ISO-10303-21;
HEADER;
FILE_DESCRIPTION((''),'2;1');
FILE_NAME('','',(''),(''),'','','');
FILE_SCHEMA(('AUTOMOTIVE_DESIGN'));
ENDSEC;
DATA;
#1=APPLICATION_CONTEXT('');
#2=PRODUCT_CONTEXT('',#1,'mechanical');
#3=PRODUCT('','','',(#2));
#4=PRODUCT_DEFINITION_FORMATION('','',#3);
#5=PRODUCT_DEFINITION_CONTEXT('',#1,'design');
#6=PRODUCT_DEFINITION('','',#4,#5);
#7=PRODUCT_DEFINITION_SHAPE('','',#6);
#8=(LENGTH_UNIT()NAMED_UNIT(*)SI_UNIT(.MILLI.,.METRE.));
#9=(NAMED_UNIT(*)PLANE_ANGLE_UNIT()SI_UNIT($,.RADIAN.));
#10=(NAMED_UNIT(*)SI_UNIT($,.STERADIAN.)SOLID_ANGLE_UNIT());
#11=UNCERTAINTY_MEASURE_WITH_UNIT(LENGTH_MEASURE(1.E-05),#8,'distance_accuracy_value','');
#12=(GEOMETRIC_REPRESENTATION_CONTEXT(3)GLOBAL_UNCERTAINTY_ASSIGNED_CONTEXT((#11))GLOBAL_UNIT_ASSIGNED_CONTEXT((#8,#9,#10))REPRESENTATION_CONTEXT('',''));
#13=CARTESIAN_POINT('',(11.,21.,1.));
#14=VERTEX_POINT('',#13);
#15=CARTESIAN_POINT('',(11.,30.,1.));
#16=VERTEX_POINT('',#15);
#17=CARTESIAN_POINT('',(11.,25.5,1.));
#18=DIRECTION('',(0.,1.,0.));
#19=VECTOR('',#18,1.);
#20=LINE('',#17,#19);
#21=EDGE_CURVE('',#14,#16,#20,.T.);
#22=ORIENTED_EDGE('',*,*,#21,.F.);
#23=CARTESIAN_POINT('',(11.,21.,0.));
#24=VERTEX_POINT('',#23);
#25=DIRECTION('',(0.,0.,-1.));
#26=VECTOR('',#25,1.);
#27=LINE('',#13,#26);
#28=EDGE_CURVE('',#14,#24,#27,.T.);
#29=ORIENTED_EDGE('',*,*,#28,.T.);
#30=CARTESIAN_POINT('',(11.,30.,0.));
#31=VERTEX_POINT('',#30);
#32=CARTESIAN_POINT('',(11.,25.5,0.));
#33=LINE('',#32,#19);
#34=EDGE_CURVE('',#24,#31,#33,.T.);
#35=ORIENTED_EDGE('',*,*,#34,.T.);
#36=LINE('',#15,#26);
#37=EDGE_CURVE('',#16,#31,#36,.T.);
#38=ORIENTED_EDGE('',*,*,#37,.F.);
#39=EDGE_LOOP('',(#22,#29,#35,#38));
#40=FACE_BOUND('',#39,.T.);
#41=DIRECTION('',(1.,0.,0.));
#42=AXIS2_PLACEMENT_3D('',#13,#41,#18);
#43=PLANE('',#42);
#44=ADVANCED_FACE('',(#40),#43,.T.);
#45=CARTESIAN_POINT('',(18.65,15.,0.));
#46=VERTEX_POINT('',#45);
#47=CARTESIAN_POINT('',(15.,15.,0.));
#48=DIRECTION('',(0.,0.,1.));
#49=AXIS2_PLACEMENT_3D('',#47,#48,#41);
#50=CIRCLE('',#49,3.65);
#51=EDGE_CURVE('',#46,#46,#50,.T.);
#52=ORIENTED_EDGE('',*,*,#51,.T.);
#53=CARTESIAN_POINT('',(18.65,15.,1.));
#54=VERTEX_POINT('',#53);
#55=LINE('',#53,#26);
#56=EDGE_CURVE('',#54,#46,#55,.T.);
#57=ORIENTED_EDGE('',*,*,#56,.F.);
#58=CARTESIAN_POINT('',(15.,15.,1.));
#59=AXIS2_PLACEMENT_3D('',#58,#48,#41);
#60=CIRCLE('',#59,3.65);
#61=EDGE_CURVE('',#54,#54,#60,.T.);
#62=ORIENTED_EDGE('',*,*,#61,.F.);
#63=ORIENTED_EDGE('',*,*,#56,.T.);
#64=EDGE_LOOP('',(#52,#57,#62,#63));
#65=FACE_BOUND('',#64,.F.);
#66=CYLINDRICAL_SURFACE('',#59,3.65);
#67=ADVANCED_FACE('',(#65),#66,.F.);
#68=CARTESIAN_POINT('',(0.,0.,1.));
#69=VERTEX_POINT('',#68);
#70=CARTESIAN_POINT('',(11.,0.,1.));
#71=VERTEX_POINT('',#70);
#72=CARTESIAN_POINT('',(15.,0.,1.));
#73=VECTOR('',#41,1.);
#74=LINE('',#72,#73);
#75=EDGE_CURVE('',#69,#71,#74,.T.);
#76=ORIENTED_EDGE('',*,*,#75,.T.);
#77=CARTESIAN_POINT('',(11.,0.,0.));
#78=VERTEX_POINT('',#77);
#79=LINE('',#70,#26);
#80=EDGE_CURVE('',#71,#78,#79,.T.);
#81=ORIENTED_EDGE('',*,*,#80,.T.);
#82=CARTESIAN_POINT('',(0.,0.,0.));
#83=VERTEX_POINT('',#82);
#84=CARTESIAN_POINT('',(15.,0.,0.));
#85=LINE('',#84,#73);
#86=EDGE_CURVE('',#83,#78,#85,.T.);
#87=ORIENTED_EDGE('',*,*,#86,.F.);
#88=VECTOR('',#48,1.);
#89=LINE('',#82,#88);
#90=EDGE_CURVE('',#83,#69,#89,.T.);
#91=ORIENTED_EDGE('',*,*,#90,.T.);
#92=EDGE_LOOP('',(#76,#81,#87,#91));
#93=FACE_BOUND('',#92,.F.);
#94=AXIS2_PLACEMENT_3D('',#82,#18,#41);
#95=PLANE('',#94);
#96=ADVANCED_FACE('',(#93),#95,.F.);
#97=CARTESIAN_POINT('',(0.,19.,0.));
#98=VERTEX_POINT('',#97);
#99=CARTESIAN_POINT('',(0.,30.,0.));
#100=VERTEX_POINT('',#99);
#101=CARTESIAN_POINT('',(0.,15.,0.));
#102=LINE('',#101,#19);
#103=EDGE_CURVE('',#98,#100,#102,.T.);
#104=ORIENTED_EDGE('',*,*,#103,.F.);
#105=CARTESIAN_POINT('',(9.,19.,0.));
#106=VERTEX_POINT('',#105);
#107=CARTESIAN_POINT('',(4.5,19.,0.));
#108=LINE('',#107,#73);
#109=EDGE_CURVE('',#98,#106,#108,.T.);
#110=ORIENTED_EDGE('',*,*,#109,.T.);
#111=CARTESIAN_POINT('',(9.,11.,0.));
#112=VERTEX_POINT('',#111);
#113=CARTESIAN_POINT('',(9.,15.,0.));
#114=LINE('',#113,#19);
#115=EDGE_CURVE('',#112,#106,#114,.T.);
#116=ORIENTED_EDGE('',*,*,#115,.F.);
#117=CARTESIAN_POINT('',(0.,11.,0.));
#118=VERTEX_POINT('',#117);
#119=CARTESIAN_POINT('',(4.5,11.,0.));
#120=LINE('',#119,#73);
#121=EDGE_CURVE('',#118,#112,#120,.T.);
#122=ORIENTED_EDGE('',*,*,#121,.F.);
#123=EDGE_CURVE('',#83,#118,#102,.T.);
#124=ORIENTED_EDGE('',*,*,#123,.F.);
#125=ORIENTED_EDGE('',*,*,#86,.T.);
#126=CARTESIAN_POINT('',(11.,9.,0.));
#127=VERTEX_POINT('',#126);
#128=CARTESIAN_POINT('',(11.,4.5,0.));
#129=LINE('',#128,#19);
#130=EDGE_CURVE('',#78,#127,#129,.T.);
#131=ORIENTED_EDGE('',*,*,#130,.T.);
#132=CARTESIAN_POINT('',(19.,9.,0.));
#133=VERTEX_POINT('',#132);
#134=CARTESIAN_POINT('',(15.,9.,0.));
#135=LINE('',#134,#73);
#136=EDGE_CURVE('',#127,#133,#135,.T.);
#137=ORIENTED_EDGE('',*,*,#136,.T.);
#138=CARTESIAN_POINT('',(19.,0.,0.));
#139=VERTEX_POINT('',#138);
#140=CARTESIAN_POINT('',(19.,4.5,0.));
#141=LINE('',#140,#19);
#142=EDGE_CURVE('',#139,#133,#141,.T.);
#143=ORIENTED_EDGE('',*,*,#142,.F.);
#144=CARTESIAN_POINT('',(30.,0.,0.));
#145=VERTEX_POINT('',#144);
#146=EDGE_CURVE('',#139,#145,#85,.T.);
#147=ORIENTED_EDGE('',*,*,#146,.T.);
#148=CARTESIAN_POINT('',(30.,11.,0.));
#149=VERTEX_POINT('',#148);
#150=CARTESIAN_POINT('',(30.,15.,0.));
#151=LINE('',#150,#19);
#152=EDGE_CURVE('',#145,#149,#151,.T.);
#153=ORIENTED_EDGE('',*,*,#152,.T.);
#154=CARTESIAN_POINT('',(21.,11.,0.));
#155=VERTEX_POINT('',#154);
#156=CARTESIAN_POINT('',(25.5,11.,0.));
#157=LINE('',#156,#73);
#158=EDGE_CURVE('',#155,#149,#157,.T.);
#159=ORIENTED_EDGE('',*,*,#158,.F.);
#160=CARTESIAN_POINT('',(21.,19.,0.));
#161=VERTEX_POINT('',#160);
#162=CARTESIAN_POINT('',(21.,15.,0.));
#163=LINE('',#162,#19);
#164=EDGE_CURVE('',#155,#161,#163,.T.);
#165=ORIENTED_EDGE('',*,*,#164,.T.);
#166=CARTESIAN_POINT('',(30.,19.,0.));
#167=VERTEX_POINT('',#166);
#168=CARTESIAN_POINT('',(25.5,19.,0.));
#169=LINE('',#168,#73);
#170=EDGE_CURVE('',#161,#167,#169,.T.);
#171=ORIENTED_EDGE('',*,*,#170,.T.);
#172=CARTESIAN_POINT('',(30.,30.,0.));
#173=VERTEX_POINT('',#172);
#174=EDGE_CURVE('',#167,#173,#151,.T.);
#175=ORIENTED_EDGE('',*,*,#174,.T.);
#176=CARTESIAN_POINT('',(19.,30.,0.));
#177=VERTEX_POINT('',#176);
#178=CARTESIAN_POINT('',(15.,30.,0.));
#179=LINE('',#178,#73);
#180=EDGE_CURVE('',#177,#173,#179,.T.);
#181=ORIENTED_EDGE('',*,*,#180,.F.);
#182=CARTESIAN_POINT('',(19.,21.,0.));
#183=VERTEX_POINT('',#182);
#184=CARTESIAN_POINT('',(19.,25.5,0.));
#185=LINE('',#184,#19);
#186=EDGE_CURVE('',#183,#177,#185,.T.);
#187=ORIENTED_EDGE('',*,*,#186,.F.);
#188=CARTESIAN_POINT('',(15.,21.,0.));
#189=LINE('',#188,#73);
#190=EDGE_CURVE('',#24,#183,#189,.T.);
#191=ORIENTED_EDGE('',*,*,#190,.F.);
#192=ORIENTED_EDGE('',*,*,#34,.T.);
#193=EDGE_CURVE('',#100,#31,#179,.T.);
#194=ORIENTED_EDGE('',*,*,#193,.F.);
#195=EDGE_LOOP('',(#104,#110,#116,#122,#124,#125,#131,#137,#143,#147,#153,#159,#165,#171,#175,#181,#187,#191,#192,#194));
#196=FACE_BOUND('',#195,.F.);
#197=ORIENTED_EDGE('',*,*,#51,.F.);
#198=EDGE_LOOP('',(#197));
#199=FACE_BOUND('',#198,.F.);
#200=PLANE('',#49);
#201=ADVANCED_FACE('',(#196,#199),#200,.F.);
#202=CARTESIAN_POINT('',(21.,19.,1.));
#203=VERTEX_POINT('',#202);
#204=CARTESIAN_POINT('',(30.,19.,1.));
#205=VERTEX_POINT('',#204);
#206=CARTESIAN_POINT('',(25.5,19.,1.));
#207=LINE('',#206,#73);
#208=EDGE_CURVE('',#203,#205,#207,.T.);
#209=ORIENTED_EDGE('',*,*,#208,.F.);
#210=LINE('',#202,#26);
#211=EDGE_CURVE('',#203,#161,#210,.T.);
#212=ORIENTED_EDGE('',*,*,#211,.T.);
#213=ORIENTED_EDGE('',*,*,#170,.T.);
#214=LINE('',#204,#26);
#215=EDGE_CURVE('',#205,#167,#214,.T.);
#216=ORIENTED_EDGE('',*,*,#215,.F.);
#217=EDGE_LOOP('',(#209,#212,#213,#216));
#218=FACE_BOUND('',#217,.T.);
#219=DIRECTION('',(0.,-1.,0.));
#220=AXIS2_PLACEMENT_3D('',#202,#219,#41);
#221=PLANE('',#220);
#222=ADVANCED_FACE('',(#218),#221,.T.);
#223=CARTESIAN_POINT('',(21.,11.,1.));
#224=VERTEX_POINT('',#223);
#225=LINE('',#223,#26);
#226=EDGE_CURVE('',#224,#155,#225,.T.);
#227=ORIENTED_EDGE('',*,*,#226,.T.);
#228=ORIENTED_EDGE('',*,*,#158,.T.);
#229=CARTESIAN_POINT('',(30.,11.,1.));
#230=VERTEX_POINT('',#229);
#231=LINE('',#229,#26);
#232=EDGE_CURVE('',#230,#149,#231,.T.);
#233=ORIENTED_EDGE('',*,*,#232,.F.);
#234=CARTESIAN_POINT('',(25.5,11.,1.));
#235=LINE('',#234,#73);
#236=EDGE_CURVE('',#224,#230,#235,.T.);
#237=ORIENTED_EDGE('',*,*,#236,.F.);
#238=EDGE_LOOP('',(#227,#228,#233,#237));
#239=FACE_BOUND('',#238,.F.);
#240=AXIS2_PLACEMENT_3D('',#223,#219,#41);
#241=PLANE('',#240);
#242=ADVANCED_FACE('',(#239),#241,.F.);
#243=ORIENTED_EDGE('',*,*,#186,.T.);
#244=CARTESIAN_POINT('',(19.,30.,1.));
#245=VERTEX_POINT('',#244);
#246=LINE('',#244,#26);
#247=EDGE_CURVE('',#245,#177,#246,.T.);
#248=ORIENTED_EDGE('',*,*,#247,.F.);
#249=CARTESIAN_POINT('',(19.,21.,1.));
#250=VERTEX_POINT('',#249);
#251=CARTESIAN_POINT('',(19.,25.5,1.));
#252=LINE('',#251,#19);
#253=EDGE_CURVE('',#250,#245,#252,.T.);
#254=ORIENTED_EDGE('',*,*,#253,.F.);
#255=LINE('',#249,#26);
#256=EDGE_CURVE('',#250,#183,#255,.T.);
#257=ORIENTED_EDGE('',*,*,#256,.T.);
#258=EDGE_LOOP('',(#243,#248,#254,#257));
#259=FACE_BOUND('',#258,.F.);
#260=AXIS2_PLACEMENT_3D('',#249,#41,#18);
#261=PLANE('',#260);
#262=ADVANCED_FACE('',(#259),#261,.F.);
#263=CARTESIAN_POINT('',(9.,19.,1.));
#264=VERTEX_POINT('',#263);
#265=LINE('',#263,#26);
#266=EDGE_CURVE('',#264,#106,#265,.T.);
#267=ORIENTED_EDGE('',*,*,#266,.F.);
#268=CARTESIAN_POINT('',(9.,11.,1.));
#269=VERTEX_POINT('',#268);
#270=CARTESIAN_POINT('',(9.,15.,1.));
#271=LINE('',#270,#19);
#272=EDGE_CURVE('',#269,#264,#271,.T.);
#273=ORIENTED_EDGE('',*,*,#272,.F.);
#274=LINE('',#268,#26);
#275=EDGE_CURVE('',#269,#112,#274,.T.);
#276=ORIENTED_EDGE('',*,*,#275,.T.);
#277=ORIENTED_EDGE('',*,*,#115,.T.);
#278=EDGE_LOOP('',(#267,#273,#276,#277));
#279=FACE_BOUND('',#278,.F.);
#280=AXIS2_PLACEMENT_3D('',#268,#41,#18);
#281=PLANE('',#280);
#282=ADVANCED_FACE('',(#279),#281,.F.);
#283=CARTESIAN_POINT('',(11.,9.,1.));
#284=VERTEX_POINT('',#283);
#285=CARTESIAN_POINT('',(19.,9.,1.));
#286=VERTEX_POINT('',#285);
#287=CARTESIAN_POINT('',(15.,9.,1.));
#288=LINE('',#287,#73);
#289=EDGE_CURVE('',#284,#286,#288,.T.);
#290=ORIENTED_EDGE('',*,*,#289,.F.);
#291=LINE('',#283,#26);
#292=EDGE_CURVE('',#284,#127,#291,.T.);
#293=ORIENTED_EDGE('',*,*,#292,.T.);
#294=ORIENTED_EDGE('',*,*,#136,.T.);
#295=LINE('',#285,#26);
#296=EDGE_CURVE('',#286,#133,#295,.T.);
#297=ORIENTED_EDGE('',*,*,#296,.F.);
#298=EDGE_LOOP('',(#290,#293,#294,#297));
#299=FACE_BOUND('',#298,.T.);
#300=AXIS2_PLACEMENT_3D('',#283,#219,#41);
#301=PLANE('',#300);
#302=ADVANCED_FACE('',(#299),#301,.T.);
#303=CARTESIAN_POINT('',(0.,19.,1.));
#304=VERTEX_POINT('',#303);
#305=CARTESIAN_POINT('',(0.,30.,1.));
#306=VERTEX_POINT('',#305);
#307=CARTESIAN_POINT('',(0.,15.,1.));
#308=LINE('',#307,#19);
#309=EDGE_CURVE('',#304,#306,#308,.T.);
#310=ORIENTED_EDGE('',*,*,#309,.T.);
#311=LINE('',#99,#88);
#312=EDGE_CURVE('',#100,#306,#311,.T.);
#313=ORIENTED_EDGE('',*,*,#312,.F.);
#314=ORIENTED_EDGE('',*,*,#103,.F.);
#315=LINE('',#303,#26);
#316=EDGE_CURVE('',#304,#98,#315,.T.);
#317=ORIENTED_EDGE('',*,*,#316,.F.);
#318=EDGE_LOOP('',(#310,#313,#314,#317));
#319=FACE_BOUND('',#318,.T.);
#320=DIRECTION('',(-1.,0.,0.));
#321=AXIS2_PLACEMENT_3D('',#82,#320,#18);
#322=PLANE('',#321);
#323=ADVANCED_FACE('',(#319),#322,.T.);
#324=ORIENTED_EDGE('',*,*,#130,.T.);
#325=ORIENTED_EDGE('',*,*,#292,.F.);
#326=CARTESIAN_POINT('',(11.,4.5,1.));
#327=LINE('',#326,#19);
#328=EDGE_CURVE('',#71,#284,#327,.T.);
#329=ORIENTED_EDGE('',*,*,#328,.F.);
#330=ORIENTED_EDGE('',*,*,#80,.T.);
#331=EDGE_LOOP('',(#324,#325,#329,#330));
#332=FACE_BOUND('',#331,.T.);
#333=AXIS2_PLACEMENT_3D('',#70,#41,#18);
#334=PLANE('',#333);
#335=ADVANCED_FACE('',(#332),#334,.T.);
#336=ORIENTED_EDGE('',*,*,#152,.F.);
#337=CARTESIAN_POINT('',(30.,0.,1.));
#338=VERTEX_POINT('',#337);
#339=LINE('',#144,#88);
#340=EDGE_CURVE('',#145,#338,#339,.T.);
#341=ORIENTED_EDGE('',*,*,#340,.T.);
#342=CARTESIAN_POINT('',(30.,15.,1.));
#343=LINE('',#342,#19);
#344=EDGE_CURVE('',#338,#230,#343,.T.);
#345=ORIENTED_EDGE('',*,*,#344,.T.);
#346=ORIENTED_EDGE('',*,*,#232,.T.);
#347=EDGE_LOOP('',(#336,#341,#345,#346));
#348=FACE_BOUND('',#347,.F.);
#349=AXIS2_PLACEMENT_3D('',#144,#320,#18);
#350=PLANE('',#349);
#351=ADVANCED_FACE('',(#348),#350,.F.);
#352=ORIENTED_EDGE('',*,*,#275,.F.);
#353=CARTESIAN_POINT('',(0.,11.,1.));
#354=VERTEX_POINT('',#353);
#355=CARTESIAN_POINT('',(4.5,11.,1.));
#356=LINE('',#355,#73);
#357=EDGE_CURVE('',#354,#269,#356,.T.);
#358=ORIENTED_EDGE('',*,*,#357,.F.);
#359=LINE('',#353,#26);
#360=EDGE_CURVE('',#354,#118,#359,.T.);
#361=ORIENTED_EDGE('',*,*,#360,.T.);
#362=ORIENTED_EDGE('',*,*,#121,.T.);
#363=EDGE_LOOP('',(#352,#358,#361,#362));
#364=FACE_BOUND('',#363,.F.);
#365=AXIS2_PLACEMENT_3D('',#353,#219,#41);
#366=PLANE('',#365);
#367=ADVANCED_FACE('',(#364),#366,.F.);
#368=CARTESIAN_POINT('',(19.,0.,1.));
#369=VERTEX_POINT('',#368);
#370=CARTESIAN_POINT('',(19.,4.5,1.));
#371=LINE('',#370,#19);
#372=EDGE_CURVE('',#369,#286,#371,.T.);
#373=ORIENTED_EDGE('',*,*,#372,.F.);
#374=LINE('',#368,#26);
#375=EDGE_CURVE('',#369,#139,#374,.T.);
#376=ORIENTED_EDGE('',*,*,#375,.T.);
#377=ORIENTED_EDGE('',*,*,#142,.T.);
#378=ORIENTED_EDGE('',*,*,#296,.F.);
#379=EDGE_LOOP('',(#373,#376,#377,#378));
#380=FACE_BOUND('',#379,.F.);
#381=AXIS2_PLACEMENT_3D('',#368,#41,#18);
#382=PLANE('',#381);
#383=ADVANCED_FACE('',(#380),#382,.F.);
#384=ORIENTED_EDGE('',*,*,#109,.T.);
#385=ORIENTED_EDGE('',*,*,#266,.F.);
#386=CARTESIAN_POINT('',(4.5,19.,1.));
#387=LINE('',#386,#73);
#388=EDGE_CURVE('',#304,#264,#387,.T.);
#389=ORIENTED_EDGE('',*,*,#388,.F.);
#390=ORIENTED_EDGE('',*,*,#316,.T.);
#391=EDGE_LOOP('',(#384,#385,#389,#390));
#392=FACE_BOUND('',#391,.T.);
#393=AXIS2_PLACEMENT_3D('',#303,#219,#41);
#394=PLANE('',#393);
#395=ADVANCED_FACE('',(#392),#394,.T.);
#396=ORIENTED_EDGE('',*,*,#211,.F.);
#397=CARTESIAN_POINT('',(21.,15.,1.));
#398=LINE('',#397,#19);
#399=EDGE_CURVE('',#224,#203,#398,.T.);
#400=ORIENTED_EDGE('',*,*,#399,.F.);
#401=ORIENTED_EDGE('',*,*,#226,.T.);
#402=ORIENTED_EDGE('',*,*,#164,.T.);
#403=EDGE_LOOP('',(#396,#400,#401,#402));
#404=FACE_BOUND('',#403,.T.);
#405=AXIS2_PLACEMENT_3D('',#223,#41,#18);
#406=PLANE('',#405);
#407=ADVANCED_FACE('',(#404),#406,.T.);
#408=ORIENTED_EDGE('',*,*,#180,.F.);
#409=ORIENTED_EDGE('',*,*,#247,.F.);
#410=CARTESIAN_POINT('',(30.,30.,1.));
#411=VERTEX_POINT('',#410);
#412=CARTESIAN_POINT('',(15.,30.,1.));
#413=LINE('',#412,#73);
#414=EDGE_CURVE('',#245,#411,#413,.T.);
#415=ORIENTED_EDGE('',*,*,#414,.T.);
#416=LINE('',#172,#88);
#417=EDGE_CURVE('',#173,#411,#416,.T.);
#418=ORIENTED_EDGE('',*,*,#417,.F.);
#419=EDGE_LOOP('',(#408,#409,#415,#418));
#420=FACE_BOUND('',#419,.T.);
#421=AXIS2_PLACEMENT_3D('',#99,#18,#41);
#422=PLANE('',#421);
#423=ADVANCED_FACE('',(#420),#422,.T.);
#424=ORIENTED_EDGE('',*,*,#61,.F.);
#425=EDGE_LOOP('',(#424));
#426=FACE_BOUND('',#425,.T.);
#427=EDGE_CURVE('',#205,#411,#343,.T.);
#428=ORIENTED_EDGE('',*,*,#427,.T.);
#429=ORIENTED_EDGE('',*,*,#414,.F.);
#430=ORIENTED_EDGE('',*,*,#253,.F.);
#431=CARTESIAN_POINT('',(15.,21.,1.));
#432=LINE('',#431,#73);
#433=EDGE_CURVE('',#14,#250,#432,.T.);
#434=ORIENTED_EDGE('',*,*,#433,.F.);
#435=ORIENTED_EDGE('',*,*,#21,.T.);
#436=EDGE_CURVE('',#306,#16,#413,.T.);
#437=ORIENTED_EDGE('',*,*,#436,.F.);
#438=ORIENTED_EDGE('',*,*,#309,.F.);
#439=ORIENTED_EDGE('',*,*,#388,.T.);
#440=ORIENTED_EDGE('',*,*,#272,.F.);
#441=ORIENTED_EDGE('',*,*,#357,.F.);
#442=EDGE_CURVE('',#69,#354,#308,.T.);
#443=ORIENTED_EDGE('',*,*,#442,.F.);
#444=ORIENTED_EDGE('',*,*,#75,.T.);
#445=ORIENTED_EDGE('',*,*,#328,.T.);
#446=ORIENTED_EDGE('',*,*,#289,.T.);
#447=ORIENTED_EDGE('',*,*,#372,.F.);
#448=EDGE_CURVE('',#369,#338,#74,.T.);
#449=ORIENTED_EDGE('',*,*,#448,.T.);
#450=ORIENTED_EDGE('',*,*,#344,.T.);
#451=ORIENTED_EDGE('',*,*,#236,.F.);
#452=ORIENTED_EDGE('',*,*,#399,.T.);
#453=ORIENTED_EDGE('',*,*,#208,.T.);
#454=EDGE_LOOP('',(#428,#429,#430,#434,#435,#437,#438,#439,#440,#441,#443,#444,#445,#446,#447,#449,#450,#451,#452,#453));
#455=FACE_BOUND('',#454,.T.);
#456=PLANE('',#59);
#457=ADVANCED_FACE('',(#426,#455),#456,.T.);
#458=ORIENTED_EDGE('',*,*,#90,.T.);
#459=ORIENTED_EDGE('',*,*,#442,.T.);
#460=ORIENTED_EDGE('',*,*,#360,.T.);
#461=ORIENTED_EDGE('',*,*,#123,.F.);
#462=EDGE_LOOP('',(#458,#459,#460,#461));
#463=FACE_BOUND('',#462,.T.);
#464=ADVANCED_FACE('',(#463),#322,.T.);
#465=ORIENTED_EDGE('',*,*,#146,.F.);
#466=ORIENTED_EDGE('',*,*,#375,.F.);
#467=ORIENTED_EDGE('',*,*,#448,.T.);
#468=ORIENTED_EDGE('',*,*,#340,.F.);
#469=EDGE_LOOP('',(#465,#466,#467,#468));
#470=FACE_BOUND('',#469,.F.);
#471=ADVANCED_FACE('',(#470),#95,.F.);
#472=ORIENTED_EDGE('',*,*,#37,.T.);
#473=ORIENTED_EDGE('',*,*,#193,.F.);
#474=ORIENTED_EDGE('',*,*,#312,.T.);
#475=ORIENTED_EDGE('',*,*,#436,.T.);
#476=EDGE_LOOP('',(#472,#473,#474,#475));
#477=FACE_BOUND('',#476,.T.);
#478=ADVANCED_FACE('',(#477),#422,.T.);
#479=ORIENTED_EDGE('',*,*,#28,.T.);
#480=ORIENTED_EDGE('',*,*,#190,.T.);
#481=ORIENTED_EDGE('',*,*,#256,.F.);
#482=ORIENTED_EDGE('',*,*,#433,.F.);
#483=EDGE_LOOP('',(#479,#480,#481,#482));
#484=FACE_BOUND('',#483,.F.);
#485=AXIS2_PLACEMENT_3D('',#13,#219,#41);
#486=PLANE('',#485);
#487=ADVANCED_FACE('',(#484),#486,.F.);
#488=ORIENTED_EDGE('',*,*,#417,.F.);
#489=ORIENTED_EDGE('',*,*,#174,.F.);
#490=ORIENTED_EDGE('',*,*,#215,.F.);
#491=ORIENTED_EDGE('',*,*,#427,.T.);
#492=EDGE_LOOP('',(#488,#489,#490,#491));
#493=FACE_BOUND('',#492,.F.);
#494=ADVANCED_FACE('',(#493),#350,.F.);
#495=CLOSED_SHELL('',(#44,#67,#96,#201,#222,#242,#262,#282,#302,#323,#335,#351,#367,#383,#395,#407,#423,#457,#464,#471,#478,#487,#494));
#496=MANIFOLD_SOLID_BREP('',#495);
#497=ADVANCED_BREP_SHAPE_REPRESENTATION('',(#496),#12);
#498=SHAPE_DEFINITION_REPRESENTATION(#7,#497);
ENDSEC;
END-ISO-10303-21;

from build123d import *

# Parameters (mm, degrees)
SKETCH003_W   = 30
SKETCH003_H   = 30
PAD002_DEPTH  = 1
SKETCH002_R   = 3.65
SKETCH002_W   = 8
SKETCH002_H   = 9
SKETCH002_W_2 = 9
SKETCH002_H_2 = 8
POCKET_DEPTH  = 1


with BuildPart() as part:
    # Sketch003 → Pad002 (new body)
    with BuildSketch(Plane.XY):
        with Locations((15, 15)):
            Rectangle(SKETCH003_W, SKETCH003_H)
    extrude(amount=PAD002_DEPTH)

    # Sketch002 → Pocket (cut)
    with BuildSketch(Plane.XY.offset(1)):
        with Locations((15, 15)):
            Circle(SKETCH002_R)
        with Locations((15, 25.5)):
            Rectangle(SKETCH002_W, SKETCH002_H)
        with Locations((15, 4.5)):
            Rectangle(SKETCH002_W, SKETCH002_H)
        with Locations((4.5, 15)):
            Rectangle(SKETCH002_W_2, SKETCH002_H_2)
        with Locations((25.5, 15)):
            Rectangle(SKETCH002_W_2, SKETCH002_H_2)
    extrude(amount=-POCKET_DEPTH, mode=Mode.SUBTRACT)


solid = part.part
